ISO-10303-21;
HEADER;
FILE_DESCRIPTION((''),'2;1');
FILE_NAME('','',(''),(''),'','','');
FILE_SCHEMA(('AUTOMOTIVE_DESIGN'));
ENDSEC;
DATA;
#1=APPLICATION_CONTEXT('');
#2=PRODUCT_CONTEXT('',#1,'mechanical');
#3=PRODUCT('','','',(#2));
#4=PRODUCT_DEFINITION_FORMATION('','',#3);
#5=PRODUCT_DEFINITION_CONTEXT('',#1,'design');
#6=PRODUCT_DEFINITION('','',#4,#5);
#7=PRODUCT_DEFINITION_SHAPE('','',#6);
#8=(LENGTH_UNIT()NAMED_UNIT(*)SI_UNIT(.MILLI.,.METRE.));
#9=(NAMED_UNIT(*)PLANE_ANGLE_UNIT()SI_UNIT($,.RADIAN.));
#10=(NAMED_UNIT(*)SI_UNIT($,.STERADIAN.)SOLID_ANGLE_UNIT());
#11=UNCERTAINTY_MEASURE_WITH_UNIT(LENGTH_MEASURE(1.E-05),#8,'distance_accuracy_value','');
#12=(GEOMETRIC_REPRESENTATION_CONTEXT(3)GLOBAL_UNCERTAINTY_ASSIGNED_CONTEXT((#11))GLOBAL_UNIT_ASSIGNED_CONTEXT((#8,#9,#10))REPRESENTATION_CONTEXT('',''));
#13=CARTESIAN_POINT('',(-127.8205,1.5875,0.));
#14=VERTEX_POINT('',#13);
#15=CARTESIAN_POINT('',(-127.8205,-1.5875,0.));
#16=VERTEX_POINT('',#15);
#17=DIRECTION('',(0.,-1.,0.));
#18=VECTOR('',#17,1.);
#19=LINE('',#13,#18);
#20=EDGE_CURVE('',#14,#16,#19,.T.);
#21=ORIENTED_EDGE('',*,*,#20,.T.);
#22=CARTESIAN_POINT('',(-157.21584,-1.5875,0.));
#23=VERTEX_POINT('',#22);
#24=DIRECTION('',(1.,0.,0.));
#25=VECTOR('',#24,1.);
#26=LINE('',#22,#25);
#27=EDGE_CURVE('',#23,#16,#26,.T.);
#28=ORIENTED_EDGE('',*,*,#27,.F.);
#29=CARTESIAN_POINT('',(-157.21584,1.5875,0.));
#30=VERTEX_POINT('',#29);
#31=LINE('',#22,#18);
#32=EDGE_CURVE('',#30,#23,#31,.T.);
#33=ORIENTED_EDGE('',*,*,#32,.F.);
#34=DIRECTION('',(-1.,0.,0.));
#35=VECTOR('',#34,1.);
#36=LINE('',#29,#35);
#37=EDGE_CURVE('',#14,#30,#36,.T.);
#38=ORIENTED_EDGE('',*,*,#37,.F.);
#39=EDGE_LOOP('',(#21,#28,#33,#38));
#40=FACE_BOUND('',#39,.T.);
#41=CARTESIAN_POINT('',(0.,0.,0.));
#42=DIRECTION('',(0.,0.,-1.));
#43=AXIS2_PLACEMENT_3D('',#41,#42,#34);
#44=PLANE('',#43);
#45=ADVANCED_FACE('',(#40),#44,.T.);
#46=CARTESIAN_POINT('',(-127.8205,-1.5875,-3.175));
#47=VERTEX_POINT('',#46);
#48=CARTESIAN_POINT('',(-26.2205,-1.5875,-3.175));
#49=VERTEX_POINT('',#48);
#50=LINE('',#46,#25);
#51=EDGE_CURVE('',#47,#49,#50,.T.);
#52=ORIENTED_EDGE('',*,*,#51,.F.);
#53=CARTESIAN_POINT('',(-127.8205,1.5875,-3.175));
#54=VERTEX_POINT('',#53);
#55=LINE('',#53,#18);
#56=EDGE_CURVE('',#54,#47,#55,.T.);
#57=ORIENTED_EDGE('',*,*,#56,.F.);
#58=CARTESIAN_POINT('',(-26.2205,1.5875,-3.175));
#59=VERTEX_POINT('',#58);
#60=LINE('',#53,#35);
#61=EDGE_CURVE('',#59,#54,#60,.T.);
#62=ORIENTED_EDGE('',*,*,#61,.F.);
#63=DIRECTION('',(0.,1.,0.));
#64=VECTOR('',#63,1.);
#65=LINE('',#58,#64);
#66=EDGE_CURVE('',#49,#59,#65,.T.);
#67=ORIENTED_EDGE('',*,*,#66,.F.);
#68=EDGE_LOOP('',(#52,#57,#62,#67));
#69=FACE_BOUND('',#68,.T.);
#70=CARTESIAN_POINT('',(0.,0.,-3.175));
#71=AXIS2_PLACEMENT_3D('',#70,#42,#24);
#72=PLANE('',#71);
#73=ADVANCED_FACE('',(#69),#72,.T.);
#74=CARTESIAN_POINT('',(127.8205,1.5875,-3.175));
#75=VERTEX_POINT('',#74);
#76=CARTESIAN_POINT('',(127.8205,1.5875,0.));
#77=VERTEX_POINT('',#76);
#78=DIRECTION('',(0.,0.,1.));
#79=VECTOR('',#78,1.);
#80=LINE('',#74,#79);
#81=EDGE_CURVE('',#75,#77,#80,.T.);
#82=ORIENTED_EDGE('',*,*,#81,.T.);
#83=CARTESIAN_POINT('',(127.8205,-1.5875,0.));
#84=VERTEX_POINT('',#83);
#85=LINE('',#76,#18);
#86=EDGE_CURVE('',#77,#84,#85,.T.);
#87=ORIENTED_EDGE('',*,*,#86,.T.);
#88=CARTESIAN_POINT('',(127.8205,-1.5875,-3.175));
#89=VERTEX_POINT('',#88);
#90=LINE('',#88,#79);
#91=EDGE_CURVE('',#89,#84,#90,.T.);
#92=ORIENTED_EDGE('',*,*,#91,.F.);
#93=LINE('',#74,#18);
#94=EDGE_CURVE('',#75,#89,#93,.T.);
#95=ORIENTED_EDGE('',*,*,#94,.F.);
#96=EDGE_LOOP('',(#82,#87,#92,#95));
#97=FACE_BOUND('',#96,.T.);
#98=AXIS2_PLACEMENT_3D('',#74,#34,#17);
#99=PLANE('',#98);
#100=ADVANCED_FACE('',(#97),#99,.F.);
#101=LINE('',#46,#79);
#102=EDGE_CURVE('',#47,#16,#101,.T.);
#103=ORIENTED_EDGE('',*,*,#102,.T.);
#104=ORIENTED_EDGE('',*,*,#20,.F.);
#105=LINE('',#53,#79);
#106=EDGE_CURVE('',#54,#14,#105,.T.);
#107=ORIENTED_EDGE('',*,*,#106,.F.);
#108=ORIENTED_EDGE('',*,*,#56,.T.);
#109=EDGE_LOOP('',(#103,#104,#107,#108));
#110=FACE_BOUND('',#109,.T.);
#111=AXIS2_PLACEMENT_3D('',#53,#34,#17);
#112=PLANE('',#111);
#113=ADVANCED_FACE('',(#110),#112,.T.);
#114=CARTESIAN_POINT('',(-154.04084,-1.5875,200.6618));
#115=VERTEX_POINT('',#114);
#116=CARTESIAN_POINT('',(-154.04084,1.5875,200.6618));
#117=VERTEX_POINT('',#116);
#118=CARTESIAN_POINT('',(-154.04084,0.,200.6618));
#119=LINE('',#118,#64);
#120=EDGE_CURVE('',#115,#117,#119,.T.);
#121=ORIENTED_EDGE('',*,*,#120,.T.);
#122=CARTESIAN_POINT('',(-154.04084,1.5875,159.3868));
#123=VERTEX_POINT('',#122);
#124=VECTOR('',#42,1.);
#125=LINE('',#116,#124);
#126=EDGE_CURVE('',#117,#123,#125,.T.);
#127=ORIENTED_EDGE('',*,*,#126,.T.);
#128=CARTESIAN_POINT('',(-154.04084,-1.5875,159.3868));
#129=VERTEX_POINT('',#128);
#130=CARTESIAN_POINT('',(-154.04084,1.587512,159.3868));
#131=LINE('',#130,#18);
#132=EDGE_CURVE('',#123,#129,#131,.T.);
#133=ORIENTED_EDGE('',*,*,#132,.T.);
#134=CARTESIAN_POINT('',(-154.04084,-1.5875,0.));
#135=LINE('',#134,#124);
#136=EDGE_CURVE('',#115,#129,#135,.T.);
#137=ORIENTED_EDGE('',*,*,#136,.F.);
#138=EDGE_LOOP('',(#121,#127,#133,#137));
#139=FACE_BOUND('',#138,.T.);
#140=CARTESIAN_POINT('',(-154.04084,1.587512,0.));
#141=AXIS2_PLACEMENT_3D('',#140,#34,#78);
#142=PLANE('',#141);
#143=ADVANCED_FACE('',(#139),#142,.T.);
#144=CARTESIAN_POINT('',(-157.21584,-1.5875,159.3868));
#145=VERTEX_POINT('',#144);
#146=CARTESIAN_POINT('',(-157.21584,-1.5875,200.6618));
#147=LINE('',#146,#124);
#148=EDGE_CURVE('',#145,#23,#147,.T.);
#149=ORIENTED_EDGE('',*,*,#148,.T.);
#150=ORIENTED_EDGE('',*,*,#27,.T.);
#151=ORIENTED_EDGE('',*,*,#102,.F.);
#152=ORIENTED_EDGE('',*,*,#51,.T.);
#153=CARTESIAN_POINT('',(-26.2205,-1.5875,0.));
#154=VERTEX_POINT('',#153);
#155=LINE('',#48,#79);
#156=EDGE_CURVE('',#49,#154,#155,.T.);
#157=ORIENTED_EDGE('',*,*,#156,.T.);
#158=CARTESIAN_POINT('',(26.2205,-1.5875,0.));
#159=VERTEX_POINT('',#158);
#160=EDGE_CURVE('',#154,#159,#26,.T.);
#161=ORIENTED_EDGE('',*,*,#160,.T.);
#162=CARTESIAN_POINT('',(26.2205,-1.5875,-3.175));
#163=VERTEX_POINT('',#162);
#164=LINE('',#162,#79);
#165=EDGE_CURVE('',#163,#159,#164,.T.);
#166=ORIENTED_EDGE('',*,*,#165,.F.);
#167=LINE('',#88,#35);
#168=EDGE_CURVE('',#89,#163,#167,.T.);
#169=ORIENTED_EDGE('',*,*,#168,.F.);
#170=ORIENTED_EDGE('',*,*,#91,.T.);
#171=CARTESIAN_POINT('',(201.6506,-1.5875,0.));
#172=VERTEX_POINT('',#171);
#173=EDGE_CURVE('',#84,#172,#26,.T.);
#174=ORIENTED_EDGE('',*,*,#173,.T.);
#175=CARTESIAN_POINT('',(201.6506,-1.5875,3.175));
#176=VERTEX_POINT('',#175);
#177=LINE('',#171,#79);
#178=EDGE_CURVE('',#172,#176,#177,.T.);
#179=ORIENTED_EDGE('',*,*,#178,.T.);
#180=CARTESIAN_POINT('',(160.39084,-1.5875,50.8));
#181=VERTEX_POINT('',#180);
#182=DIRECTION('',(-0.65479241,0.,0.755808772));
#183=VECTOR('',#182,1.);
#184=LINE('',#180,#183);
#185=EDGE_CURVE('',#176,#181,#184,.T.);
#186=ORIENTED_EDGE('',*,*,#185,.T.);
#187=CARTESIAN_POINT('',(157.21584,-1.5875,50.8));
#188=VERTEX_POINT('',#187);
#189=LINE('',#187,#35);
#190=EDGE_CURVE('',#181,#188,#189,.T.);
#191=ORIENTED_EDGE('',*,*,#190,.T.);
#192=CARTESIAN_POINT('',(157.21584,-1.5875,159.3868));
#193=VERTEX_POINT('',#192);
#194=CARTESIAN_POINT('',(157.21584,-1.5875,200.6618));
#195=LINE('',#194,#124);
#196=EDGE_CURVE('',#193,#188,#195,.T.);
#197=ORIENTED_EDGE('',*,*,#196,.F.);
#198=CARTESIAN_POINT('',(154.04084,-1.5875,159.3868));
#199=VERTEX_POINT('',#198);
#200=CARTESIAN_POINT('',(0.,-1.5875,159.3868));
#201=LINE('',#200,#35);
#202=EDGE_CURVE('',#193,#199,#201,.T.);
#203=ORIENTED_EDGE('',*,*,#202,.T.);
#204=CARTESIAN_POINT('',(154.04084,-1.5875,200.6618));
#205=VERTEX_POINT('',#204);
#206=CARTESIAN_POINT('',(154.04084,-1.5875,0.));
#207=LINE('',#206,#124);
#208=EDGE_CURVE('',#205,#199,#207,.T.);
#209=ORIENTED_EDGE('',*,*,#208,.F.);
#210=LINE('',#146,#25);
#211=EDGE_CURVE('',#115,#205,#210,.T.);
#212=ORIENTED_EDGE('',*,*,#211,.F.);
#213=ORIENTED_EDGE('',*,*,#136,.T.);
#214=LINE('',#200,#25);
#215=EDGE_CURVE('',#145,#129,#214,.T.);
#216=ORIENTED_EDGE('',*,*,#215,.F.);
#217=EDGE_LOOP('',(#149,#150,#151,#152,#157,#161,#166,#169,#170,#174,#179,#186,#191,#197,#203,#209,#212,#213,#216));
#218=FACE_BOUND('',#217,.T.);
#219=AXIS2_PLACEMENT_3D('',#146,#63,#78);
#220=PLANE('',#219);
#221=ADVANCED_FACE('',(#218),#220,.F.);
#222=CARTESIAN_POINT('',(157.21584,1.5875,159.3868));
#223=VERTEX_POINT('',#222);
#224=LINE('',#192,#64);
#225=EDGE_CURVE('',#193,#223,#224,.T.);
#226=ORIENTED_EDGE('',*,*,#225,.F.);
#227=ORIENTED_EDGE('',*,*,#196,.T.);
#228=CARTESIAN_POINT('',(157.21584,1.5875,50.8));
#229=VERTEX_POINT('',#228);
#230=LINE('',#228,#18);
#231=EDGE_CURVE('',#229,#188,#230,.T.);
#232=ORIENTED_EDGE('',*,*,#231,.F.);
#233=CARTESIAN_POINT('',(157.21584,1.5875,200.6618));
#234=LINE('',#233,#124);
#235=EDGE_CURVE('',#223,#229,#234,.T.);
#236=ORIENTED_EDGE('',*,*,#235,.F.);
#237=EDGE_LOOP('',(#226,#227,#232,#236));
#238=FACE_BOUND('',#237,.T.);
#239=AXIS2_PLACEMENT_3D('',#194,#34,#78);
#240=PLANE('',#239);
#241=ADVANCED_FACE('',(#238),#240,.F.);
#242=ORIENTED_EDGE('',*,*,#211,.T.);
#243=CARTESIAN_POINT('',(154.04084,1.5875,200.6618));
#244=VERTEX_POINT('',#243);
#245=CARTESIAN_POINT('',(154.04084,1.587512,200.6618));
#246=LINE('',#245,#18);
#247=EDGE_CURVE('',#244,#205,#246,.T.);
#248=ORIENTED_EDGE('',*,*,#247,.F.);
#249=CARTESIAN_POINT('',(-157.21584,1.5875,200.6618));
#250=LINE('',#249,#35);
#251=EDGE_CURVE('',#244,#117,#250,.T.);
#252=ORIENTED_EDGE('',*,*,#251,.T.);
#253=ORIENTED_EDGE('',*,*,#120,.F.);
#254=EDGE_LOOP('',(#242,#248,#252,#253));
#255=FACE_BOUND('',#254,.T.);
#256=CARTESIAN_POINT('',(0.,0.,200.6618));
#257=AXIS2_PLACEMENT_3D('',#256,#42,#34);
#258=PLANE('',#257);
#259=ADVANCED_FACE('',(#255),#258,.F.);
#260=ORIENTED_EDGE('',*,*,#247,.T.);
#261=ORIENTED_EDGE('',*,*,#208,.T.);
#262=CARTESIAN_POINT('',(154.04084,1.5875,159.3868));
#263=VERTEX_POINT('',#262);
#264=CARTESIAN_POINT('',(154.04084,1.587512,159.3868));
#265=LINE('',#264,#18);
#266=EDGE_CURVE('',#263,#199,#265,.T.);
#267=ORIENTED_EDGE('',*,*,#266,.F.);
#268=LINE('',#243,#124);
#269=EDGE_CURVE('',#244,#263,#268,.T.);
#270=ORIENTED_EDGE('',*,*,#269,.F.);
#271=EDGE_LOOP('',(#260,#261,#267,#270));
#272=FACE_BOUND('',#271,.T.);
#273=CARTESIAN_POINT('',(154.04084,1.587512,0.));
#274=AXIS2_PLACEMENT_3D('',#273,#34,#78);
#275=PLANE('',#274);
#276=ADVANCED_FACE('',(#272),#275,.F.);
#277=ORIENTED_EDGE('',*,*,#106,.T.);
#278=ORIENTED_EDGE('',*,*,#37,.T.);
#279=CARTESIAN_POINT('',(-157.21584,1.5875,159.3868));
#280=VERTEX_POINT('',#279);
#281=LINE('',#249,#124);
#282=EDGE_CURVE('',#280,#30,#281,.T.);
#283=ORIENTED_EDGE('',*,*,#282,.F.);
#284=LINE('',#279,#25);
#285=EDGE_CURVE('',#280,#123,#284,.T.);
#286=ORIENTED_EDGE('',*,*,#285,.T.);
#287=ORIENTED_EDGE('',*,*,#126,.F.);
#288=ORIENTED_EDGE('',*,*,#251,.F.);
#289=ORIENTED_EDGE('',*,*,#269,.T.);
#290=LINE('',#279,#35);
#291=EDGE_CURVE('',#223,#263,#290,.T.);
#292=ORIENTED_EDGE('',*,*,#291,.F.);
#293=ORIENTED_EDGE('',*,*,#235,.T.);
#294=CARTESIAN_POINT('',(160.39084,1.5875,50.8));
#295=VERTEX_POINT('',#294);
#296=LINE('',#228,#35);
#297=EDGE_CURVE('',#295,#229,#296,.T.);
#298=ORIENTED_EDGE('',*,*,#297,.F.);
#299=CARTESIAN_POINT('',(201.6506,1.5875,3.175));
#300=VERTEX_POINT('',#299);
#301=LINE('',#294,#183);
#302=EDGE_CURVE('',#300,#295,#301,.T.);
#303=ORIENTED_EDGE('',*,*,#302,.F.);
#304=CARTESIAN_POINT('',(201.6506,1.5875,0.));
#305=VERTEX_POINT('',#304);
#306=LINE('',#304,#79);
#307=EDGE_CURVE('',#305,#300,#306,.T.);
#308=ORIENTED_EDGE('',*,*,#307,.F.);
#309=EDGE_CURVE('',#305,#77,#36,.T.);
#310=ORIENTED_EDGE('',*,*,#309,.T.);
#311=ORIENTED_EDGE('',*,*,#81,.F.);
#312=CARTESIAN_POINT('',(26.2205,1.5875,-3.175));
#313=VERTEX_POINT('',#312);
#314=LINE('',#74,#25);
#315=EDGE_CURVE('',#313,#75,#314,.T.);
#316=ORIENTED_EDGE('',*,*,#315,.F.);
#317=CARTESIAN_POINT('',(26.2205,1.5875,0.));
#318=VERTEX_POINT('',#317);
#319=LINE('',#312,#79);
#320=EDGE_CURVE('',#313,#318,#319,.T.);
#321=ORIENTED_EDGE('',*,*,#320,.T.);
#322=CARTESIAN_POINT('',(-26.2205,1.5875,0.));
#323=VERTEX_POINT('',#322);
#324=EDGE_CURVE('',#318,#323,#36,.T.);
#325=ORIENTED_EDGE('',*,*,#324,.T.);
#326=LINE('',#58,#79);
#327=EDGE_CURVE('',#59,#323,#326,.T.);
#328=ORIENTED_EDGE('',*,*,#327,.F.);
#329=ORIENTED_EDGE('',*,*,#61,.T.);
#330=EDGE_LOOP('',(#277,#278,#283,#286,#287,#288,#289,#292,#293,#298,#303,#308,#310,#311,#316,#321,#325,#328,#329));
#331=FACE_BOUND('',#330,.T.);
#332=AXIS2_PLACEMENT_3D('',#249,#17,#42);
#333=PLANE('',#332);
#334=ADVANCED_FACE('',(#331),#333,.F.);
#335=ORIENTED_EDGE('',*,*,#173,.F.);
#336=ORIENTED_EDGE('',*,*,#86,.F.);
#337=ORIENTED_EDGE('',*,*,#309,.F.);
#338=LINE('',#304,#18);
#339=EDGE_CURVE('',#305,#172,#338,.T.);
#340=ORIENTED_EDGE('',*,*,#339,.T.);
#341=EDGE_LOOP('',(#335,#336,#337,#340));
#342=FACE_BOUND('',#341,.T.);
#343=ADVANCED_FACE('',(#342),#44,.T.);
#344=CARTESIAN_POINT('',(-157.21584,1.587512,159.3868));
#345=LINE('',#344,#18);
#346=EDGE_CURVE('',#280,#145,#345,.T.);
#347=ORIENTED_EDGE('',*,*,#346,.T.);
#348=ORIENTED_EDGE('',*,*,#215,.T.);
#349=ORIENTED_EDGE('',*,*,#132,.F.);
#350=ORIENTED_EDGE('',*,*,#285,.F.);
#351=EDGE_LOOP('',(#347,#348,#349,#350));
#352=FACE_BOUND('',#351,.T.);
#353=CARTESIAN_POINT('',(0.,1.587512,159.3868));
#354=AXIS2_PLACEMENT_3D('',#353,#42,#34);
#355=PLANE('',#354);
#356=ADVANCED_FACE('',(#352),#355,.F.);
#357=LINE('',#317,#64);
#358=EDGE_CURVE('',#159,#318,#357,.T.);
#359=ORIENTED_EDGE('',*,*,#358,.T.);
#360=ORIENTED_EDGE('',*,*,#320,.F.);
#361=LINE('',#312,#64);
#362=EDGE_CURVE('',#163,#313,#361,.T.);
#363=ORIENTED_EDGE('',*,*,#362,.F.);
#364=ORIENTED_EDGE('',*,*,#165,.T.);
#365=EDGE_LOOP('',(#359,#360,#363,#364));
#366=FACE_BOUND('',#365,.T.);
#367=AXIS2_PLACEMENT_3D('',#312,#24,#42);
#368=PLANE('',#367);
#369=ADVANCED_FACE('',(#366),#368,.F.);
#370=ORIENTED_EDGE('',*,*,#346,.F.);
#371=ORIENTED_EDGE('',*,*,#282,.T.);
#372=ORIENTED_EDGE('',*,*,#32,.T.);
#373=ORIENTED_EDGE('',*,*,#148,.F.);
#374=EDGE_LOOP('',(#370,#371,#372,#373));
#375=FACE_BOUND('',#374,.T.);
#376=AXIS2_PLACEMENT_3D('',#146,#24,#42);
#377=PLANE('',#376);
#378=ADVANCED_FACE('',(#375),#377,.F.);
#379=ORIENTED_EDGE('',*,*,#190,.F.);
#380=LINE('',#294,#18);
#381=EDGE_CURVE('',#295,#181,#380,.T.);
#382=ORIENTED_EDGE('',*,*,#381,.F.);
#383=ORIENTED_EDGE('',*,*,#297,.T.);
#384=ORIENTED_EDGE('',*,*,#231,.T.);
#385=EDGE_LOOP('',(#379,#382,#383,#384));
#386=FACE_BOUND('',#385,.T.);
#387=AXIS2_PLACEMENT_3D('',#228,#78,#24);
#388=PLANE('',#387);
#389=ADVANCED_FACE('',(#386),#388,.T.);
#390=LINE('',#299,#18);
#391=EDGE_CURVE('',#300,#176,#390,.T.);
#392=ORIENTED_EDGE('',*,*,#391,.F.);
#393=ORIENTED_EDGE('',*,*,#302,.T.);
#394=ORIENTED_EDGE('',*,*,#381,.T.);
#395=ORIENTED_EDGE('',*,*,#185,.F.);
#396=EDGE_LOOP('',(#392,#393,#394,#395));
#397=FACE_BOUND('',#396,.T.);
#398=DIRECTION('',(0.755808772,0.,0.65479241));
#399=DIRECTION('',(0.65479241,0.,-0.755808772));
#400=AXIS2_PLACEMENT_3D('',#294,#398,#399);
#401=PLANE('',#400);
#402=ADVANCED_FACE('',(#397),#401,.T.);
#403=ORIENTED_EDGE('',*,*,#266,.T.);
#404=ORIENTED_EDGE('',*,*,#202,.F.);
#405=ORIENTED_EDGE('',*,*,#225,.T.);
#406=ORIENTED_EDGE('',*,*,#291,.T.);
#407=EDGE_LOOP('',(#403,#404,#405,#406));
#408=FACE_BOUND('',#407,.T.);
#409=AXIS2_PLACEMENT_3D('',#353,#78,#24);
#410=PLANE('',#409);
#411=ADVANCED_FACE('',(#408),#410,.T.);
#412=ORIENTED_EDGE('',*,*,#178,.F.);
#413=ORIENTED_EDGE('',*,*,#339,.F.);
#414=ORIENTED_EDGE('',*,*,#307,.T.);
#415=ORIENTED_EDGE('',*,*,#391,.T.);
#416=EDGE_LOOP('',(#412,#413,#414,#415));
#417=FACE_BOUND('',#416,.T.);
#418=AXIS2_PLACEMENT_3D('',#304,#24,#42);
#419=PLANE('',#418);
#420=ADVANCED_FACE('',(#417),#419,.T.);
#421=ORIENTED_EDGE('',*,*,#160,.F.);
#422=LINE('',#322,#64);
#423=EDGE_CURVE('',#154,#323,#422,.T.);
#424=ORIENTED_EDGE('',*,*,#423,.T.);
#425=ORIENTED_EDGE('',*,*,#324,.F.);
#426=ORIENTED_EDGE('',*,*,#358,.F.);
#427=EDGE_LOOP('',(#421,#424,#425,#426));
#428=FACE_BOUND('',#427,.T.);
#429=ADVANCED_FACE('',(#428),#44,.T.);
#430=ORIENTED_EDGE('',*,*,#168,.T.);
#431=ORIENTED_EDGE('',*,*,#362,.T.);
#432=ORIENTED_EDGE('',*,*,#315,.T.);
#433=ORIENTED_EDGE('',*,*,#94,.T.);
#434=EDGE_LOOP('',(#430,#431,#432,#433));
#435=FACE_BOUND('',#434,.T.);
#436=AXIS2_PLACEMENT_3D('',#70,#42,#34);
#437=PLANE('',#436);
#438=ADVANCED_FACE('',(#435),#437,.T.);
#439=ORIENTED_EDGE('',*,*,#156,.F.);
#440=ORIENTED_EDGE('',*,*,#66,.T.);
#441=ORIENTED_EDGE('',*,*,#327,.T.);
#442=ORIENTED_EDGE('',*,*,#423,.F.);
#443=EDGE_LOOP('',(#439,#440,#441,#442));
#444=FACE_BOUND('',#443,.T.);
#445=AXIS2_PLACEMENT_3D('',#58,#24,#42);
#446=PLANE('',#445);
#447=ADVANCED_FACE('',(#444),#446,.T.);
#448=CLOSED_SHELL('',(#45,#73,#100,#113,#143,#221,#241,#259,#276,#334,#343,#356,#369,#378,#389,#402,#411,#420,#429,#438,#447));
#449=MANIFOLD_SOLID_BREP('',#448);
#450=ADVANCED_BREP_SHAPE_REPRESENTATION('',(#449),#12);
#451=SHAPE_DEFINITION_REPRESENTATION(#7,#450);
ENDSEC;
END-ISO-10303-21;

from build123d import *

# Parameters (mm, degrees)
SKETCH1_W           = 314.43168
SKETCH1_H           = 3.175
BOSS_EXTRUDE1_DEPTH = 200.66180012
CUT_EXTRUDE2_START  = -3.175
SKETCH5_W           = 3.175
SKETCH5_H           = 41.275
CUT_EXTRUDE2_DEPTH  = 259.11040162
BOSS_EXTRUDE3_DEPTH = 3.175
SKETCH12_W          = 101.6
SKETCH12_H          = 3.175
BOSS_EXTRUDE5_DEPTH = 3.175


with BuildPart() as part:
    # Sketch1 → Boss-Extrude1 (new body)
    with BuildSketch(Plane.XY):
        Rectangle(SKETCH1_W, SKETCH1_H)
    extrude(amount=BOSS_EXTRUDE1_DEPTH)

    # Sketch5 → Cut-Extrude2 (cut)
    with BuildSketch(Plane(origin=(0, 1.5875, 0), x_dir=(1, 0, 0), z_dir=(0, 1, 0)).offset(CUT_EXTRUDE2_START)):
        with Locations((-155.62834, -180.02430012)):
            Rectangle(SKETCH5_W, SKETCH5_H)
    cut_extrude2 = extrude(amount=CUT_EXTRUDE2_DEPTH, mode=Mode.SUBTRACT)

    # Mirror1: Cut-Extrude2 across plane
    add(cut_extrude2.mirror(Plane(origin=(0, 0, 0), x_dir=(0, 0, 1), z_dir=(1, 0, 0))), mode=Mode.SUBTRACT)

    # Sketch10 → Boss-Extrude3 (add)
    with BuildSketch(Plane.XZ.offset(1.5875)):
        Polygon((201.6506, 0), (201.6506, 3.175), (160.39084, 50.8), (157.21584, 50.8), (157.21584, 0), align=None)
    extrude(amount=-BOSS_EXTRUDE3_DEPTH)

    # Sketch12 → Boss-Extrude5 (add)
    with BuildSketch(Plane(origin=(0, 0, 0), x_dir=(-1, 0, 0), z_dir=(0, 0, -1))):
        with Locations((-77.02050001, 0)):
            Rectangle(SKETCH12_W, SKETCH12_H)
    boss_extrude5 = extrude(amount=BOSS_EXTRUDE5_DEPTH)

    # Mirror2: Boss-Extrude5 across plane
    add(boss_extrude5.mirror(Plane(origin=(0, 0, 0), x_dir=(0, 0, 1), z_dir=(1, 0, 0))))


solid = part.part
